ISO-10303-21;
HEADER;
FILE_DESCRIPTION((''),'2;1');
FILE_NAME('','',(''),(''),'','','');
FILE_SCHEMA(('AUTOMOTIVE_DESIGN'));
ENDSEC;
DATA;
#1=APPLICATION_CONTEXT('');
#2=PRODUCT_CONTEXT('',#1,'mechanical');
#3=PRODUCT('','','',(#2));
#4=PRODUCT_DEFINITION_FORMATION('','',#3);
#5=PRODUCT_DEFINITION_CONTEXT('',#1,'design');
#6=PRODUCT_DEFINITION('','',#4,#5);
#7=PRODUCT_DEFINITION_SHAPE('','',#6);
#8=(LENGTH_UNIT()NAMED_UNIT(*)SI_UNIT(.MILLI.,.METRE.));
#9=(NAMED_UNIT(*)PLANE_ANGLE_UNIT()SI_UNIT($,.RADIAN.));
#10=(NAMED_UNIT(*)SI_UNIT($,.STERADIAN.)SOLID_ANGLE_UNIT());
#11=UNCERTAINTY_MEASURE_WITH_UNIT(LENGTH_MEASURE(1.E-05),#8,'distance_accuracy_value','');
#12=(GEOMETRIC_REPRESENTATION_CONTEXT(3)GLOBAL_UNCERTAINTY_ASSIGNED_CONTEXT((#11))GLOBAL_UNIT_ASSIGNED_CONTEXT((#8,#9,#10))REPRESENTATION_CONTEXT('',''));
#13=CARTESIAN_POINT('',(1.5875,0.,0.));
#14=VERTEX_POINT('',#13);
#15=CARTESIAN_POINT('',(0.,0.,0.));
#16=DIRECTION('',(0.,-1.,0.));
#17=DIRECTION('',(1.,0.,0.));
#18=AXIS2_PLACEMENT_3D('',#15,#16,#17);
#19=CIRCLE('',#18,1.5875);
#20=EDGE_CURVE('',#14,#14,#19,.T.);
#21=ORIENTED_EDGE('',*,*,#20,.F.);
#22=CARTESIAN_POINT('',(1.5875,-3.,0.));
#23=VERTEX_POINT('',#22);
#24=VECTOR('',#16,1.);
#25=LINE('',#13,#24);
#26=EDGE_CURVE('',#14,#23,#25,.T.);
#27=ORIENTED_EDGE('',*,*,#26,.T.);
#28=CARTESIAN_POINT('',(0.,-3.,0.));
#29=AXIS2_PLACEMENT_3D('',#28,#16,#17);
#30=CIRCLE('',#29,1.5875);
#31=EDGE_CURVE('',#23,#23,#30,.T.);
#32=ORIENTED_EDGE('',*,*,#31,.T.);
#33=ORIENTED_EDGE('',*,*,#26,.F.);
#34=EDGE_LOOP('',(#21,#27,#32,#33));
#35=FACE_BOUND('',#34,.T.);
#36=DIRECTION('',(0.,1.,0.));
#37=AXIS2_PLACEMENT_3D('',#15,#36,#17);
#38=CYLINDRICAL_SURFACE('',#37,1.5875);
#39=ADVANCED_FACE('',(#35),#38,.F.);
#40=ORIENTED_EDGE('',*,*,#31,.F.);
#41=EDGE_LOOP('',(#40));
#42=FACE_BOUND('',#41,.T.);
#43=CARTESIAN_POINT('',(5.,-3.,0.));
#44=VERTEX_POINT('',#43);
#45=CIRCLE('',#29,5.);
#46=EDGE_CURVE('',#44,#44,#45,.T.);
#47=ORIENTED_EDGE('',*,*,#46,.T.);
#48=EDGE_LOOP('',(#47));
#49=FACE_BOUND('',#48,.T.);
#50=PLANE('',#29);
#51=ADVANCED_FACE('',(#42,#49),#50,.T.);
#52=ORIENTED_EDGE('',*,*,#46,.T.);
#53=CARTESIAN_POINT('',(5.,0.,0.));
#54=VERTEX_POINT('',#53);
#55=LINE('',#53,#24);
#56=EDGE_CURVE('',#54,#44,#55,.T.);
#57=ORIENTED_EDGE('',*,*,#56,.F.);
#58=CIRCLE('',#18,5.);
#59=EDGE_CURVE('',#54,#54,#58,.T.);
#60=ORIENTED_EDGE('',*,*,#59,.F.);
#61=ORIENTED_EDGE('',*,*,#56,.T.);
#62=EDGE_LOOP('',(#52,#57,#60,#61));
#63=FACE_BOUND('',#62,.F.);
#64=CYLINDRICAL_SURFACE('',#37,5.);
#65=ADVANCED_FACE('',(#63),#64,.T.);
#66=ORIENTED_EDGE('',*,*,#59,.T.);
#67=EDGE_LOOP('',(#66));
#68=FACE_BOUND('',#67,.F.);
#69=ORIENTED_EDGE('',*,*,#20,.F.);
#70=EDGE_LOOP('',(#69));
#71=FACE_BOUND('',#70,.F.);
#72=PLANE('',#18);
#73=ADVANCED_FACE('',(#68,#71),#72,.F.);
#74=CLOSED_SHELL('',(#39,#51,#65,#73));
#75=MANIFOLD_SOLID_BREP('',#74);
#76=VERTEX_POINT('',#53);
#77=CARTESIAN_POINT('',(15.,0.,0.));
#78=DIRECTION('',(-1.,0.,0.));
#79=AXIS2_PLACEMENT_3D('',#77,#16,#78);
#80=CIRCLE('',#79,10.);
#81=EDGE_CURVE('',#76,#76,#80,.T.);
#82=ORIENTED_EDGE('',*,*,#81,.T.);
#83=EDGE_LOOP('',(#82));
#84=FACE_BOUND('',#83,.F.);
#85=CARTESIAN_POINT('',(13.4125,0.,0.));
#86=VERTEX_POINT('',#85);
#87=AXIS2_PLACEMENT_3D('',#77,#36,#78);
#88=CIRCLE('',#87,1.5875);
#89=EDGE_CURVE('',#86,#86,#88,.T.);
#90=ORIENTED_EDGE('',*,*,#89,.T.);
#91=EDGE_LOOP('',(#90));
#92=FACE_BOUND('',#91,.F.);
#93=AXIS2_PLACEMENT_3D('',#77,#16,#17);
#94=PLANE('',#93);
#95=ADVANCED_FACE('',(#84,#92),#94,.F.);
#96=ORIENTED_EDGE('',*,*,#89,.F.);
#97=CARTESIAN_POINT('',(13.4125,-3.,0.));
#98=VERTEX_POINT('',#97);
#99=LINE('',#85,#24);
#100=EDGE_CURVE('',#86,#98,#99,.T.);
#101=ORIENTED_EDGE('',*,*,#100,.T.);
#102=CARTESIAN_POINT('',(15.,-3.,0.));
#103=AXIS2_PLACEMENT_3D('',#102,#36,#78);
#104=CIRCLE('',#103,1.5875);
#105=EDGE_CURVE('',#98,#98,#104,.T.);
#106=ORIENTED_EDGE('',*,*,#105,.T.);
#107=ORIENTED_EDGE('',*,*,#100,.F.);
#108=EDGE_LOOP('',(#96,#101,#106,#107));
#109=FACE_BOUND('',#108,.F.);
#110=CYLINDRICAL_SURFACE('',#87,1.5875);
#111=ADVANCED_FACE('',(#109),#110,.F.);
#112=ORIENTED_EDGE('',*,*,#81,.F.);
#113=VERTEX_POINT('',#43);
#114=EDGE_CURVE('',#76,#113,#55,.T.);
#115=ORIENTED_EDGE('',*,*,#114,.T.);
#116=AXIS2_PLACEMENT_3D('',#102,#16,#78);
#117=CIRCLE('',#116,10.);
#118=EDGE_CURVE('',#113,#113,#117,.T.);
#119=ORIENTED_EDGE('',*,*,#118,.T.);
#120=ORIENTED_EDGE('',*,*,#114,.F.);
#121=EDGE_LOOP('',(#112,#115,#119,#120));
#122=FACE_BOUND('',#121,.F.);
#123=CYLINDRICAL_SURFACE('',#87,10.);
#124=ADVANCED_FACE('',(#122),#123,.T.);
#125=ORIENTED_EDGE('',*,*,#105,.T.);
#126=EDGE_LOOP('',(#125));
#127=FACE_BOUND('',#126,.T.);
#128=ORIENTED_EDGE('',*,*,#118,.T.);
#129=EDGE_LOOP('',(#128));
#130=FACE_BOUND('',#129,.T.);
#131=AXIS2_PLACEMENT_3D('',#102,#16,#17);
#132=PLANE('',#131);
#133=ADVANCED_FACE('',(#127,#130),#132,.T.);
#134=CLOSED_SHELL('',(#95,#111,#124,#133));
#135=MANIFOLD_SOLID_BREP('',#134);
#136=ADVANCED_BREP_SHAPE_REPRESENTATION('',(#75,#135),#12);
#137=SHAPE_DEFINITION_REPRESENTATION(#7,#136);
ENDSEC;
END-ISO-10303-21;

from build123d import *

# Parameters (mm, degrees)
F0_R     = 5
F0_R_2   = 1.5875
F1_DEPTH = 3


with BuildPart() as f1:
    # F0 (on Front) → F1 (new body)
    with BuildSketch(Plane.XZ):
        with BuildLine():
            ThreePointArc((25, 0), (15, 10), (5, 0))
            ThreePointArc((5, 0), (15, -10), (25, 0))
        make_face()
        with BuildLine():
            ThreePointArc((16.5875, 0), (15, -1.5875), (13.4125, 0))
            ThreePointArc((13.4125, 0), (15, 1.5875), (16.5875, 0))
        make_face(mode=Mode.SUBTRACT)
        Circle(F0_R)
        Circle(F0_R_2, mode=Mode.SUBTRACT)
    extrude(amount=F1_DEPTH)


solid = f1.part
